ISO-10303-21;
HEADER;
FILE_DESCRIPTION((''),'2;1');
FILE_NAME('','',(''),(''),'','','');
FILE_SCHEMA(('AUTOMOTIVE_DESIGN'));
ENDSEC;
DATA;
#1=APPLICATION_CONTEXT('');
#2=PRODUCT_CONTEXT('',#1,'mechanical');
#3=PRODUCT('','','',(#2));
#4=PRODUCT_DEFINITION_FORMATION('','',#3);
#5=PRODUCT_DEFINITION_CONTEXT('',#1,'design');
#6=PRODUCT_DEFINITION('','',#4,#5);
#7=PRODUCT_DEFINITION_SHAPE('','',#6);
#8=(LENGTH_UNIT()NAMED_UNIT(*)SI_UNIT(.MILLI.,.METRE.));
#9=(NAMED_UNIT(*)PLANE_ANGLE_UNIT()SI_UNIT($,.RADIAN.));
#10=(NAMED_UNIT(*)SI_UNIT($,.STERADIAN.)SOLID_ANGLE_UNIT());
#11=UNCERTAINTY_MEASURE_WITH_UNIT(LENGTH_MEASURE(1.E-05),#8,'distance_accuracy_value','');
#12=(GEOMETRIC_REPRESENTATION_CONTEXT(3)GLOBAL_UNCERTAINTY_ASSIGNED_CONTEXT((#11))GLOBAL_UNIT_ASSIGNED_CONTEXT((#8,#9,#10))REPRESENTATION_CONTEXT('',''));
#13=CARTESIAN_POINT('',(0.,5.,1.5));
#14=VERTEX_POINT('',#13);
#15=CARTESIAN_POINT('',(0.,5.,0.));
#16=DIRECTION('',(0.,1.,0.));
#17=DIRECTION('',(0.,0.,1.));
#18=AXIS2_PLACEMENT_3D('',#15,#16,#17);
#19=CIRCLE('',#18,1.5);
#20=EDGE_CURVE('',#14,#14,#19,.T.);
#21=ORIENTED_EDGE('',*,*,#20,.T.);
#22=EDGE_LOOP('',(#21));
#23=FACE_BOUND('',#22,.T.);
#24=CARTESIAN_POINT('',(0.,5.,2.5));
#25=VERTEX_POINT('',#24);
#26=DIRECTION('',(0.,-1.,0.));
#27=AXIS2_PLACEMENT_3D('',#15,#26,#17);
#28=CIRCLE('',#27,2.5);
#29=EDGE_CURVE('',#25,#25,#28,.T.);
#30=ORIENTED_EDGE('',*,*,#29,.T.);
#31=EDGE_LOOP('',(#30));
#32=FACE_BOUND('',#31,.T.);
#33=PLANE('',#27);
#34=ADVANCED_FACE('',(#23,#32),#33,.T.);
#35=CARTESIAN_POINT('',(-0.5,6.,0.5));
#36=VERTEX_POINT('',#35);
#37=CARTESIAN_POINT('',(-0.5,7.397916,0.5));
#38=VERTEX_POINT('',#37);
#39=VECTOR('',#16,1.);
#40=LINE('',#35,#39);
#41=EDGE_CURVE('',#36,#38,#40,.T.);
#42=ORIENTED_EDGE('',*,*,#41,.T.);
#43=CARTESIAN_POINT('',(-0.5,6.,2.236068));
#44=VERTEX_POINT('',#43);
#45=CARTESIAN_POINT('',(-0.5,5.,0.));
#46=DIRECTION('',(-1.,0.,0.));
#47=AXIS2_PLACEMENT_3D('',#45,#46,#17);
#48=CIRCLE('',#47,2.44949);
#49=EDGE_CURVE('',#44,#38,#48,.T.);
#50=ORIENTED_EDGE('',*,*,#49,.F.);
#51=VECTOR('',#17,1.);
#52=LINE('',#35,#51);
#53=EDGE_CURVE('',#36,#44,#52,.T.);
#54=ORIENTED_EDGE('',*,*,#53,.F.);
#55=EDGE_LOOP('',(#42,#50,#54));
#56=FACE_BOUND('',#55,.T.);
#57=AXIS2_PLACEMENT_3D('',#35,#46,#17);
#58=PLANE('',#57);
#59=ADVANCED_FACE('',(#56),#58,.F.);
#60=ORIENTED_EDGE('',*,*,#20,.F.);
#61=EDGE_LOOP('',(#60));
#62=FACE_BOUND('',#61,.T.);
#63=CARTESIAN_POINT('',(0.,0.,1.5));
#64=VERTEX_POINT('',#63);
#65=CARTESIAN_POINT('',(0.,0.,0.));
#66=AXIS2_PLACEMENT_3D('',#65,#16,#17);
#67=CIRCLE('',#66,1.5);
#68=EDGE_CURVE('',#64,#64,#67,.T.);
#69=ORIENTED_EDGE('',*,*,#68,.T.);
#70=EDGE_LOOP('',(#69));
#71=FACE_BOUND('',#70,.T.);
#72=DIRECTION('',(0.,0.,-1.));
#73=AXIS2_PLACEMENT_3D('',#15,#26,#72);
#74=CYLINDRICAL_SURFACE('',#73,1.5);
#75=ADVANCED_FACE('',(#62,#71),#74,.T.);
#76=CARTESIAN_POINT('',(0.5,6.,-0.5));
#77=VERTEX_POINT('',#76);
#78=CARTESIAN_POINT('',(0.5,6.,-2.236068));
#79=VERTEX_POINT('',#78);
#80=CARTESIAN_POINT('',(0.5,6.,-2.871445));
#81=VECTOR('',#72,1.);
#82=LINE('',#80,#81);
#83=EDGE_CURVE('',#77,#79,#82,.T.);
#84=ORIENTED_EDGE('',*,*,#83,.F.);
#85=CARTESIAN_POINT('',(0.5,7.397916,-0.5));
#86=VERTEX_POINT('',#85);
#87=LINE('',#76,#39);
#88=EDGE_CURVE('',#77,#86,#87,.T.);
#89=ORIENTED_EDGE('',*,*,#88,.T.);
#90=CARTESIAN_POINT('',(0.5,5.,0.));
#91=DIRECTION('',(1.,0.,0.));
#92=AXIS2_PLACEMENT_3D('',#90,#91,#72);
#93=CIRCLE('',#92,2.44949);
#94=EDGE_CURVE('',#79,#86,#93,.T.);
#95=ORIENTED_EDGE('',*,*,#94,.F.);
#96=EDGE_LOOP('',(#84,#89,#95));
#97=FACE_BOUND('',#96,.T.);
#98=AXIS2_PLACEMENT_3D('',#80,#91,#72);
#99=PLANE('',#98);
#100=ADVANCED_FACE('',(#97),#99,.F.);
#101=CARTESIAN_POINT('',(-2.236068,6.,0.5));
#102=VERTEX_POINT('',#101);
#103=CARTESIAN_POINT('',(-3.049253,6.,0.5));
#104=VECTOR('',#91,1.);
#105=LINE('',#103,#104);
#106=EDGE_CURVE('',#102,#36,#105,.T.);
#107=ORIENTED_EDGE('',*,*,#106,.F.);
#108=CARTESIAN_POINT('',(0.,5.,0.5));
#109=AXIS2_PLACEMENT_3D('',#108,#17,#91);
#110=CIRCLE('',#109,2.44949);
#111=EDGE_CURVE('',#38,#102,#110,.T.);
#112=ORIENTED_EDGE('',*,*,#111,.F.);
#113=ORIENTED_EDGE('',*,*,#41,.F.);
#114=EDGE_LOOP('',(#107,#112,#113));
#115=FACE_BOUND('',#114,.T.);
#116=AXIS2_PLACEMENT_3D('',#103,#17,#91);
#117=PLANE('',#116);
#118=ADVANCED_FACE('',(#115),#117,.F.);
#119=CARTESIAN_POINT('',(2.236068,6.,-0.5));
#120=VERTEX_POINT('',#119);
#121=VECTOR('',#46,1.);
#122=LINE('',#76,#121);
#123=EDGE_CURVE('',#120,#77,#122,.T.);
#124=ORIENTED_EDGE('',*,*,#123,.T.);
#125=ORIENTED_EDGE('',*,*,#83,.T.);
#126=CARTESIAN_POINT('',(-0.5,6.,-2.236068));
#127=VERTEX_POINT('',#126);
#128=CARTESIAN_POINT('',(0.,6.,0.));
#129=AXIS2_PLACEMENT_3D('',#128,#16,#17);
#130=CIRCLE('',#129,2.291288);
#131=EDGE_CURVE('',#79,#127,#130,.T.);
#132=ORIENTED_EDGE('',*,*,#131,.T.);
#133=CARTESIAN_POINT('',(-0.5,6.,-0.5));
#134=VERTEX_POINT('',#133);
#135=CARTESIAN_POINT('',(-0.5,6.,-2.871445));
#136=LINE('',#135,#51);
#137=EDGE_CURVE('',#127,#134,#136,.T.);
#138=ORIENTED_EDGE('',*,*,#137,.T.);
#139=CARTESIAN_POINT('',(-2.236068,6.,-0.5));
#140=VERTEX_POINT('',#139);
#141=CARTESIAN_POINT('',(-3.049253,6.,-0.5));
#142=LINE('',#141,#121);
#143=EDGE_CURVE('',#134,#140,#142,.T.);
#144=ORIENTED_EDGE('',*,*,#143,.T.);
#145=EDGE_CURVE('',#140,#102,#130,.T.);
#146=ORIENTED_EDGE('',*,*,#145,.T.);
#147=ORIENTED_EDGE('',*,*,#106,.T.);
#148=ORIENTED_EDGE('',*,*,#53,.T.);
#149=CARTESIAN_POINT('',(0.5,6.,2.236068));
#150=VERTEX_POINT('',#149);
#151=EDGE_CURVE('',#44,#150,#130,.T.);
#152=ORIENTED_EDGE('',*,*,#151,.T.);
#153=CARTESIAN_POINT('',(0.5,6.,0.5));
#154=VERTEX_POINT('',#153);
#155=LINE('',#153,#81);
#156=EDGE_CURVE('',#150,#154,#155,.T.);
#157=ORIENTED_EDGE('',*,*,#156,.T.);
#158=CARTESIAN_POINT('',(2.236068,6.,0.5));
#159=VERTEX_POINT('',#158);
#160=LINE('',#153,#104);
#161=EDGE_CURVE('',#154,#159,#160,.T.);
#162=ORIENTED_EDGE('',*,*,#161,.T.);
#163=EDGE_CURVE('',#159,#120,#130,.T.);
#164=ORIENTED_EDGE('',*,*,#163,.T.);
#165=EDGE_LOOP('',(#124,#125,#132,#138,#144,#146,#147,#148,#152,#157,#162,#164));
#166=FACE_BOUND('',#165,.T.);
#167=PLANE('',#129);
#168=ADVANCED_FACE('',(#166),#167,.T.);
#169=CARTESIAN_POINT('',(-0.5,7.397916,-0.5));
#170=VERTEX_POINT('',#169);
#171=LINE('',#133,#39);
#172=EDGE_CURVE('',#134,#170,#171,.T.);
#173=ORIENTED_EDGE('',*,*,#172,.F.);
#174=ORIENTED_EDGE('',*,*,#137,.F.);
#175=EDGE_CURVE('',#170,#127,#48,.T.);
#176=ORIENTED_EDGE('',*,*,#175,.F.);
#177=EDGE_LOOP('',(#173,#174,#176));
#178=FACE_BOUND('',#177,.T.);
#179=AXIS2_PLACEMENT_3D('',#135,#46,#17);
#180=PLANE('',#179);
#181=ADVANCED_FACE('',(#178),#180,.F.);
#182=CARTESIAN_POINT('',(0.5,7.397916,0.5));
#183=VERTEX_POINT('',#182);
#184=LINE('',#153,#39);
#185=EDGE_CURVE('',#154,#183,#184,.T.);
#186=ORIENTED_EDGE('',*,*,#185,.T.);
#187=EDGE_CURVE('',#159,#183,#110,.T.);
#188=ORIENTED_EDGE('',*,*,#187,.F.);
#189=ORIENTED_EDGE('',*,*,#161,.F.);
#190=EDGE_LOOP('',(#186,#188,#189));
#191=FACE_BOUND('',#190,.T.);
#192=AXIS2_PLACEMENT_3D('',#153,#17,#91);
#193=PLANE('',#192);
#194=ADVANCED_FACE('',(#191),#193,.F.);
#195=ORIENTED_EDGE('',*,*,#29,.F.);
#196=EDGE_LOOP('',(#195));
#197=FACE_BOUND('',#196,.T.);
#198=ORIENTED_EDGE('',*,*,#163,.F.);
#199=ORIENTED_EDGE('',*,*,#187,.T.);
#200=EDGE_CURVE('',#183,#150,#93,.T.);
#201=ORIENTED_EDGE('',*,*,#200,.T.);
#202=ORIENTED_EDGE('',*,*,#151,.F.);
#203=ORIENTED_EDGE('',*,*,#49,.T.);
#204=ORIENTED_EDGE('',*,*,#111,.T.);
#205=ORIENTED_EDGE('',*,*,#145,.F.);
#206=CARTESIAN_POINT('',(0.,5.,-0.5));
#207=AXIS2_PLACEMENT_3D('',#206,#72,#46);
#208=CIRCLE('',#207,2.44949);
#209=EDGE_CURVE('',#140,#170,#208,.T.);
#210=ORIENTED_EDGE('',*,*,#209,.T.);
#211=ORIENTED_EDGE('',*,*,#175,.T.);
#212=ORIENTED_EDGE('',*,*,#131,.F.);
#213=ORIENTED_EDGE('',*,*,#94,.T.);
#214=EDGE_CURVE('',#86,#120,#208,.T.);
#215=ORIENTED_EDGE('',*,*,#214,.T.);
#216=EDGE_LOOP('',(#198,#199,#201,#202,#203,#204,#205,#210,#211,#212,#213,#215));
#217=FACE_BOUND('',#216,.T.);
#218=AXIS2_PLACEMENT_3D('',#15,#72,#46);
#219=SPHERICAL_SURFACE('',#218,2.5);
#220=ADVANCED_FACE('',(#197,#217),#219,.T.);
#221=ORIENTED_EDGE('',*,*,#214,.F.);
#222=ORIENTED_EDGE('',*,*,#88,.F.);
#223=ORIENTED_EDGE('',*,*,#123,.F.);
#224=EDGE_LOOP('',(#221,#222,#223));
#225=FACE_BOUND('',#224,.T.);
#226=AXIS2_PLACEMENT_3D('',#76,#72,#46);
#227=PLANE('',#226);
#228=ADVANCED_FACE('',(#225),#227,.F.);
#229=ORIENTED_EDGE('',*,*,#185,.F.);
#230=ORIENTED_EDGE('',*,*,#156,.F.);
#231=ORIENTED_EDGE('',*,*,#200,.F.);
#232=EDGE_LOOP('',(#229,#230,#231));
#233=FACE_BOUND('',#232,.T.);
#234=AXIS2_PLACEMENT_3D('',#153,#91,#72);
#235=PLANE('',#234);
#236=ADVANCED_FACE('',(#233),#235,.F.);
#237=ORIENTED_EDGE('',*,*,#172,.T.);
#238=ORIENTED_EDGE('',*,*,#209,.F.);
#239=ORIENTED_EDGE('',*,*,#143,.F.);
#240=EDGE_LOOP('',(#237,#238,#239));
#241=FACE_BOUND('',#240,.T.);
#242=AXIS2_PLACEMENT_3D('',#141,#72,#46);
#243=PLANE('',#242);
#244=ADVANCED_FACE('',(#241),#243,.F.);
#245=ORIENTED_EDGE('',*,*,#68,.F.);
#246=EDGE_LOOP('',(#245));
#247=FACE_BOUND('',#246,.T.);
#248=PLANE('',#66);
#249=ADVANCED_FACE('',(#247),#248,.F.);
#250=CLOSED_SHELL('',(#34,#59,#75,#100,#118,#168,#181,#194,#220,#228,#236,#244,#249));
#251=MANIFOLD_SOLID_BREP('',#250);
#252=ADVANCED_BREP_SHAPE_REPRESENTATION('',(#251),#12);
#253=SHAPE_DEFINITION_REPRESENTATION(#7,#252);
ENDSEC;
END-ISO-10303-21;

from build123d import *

# Parameters (mm, degrees)
SKETCH1_R           = 1.5
BOSS_EXTRUDE1_DEPTH = 5
REVOLVE1_ANGLE      = 180
CUT_EXTRUDE1_DEPTH  = 2


with BuildPart() as part:
    # Sketch1 → Boss-Extrude1 (new body)
    with BuildSketch(Plane(origin=(0, 0, 0), x_dir=(1, 0, 0), z_dir=(0, 1, 0))):
        Circle(SKETCH1_R)
    extrude(amount=BOSS_EXTRUDE1_DEPTH)

    # Sketch2 → Revolve1 (revolve)
    with BuildSketch(Plane(origin=(0, 5, 0), x_dir=(1, 0, 0), z_dir=(0, 1, 0))):
        with BuildLine():
            Line((0, 2.5), (0, -2.5))
            ThreePointArc((0, -2.5), (2.5, 0), (0, 2.5))
        make_face()
    revolve(axis=Axis((0, 5, -2.5), (0, 0, 1)), revolution_arc=REVOLVE1_ANGLE)

    # Sketch3 → Cut-Extrude1 (cut)
    with BuildSketch(Plane(origin=(0, 8, 0), x_dir=(1, 0, 0), z_dir=(0, 1, 0))):
        Polygon((-0.5, -0.5), (-0.5, -3.128554583), (0.5, -3.128554583), (0.5, -0.5), (2.950746735, -0.5), (2.950746735, 0.5), (0.5, 0.5), (0.5, 2.871445417), (-0.5, 2.871445417), (-0.5, 0.5), (-3.049253265, 0.5), (-3.049253265, -0.5), align=None)
    extrude(amount=-CUT_EXTRUDE1_DEPTH, mode=Mode.SUBTRACT)


solid = part.part
